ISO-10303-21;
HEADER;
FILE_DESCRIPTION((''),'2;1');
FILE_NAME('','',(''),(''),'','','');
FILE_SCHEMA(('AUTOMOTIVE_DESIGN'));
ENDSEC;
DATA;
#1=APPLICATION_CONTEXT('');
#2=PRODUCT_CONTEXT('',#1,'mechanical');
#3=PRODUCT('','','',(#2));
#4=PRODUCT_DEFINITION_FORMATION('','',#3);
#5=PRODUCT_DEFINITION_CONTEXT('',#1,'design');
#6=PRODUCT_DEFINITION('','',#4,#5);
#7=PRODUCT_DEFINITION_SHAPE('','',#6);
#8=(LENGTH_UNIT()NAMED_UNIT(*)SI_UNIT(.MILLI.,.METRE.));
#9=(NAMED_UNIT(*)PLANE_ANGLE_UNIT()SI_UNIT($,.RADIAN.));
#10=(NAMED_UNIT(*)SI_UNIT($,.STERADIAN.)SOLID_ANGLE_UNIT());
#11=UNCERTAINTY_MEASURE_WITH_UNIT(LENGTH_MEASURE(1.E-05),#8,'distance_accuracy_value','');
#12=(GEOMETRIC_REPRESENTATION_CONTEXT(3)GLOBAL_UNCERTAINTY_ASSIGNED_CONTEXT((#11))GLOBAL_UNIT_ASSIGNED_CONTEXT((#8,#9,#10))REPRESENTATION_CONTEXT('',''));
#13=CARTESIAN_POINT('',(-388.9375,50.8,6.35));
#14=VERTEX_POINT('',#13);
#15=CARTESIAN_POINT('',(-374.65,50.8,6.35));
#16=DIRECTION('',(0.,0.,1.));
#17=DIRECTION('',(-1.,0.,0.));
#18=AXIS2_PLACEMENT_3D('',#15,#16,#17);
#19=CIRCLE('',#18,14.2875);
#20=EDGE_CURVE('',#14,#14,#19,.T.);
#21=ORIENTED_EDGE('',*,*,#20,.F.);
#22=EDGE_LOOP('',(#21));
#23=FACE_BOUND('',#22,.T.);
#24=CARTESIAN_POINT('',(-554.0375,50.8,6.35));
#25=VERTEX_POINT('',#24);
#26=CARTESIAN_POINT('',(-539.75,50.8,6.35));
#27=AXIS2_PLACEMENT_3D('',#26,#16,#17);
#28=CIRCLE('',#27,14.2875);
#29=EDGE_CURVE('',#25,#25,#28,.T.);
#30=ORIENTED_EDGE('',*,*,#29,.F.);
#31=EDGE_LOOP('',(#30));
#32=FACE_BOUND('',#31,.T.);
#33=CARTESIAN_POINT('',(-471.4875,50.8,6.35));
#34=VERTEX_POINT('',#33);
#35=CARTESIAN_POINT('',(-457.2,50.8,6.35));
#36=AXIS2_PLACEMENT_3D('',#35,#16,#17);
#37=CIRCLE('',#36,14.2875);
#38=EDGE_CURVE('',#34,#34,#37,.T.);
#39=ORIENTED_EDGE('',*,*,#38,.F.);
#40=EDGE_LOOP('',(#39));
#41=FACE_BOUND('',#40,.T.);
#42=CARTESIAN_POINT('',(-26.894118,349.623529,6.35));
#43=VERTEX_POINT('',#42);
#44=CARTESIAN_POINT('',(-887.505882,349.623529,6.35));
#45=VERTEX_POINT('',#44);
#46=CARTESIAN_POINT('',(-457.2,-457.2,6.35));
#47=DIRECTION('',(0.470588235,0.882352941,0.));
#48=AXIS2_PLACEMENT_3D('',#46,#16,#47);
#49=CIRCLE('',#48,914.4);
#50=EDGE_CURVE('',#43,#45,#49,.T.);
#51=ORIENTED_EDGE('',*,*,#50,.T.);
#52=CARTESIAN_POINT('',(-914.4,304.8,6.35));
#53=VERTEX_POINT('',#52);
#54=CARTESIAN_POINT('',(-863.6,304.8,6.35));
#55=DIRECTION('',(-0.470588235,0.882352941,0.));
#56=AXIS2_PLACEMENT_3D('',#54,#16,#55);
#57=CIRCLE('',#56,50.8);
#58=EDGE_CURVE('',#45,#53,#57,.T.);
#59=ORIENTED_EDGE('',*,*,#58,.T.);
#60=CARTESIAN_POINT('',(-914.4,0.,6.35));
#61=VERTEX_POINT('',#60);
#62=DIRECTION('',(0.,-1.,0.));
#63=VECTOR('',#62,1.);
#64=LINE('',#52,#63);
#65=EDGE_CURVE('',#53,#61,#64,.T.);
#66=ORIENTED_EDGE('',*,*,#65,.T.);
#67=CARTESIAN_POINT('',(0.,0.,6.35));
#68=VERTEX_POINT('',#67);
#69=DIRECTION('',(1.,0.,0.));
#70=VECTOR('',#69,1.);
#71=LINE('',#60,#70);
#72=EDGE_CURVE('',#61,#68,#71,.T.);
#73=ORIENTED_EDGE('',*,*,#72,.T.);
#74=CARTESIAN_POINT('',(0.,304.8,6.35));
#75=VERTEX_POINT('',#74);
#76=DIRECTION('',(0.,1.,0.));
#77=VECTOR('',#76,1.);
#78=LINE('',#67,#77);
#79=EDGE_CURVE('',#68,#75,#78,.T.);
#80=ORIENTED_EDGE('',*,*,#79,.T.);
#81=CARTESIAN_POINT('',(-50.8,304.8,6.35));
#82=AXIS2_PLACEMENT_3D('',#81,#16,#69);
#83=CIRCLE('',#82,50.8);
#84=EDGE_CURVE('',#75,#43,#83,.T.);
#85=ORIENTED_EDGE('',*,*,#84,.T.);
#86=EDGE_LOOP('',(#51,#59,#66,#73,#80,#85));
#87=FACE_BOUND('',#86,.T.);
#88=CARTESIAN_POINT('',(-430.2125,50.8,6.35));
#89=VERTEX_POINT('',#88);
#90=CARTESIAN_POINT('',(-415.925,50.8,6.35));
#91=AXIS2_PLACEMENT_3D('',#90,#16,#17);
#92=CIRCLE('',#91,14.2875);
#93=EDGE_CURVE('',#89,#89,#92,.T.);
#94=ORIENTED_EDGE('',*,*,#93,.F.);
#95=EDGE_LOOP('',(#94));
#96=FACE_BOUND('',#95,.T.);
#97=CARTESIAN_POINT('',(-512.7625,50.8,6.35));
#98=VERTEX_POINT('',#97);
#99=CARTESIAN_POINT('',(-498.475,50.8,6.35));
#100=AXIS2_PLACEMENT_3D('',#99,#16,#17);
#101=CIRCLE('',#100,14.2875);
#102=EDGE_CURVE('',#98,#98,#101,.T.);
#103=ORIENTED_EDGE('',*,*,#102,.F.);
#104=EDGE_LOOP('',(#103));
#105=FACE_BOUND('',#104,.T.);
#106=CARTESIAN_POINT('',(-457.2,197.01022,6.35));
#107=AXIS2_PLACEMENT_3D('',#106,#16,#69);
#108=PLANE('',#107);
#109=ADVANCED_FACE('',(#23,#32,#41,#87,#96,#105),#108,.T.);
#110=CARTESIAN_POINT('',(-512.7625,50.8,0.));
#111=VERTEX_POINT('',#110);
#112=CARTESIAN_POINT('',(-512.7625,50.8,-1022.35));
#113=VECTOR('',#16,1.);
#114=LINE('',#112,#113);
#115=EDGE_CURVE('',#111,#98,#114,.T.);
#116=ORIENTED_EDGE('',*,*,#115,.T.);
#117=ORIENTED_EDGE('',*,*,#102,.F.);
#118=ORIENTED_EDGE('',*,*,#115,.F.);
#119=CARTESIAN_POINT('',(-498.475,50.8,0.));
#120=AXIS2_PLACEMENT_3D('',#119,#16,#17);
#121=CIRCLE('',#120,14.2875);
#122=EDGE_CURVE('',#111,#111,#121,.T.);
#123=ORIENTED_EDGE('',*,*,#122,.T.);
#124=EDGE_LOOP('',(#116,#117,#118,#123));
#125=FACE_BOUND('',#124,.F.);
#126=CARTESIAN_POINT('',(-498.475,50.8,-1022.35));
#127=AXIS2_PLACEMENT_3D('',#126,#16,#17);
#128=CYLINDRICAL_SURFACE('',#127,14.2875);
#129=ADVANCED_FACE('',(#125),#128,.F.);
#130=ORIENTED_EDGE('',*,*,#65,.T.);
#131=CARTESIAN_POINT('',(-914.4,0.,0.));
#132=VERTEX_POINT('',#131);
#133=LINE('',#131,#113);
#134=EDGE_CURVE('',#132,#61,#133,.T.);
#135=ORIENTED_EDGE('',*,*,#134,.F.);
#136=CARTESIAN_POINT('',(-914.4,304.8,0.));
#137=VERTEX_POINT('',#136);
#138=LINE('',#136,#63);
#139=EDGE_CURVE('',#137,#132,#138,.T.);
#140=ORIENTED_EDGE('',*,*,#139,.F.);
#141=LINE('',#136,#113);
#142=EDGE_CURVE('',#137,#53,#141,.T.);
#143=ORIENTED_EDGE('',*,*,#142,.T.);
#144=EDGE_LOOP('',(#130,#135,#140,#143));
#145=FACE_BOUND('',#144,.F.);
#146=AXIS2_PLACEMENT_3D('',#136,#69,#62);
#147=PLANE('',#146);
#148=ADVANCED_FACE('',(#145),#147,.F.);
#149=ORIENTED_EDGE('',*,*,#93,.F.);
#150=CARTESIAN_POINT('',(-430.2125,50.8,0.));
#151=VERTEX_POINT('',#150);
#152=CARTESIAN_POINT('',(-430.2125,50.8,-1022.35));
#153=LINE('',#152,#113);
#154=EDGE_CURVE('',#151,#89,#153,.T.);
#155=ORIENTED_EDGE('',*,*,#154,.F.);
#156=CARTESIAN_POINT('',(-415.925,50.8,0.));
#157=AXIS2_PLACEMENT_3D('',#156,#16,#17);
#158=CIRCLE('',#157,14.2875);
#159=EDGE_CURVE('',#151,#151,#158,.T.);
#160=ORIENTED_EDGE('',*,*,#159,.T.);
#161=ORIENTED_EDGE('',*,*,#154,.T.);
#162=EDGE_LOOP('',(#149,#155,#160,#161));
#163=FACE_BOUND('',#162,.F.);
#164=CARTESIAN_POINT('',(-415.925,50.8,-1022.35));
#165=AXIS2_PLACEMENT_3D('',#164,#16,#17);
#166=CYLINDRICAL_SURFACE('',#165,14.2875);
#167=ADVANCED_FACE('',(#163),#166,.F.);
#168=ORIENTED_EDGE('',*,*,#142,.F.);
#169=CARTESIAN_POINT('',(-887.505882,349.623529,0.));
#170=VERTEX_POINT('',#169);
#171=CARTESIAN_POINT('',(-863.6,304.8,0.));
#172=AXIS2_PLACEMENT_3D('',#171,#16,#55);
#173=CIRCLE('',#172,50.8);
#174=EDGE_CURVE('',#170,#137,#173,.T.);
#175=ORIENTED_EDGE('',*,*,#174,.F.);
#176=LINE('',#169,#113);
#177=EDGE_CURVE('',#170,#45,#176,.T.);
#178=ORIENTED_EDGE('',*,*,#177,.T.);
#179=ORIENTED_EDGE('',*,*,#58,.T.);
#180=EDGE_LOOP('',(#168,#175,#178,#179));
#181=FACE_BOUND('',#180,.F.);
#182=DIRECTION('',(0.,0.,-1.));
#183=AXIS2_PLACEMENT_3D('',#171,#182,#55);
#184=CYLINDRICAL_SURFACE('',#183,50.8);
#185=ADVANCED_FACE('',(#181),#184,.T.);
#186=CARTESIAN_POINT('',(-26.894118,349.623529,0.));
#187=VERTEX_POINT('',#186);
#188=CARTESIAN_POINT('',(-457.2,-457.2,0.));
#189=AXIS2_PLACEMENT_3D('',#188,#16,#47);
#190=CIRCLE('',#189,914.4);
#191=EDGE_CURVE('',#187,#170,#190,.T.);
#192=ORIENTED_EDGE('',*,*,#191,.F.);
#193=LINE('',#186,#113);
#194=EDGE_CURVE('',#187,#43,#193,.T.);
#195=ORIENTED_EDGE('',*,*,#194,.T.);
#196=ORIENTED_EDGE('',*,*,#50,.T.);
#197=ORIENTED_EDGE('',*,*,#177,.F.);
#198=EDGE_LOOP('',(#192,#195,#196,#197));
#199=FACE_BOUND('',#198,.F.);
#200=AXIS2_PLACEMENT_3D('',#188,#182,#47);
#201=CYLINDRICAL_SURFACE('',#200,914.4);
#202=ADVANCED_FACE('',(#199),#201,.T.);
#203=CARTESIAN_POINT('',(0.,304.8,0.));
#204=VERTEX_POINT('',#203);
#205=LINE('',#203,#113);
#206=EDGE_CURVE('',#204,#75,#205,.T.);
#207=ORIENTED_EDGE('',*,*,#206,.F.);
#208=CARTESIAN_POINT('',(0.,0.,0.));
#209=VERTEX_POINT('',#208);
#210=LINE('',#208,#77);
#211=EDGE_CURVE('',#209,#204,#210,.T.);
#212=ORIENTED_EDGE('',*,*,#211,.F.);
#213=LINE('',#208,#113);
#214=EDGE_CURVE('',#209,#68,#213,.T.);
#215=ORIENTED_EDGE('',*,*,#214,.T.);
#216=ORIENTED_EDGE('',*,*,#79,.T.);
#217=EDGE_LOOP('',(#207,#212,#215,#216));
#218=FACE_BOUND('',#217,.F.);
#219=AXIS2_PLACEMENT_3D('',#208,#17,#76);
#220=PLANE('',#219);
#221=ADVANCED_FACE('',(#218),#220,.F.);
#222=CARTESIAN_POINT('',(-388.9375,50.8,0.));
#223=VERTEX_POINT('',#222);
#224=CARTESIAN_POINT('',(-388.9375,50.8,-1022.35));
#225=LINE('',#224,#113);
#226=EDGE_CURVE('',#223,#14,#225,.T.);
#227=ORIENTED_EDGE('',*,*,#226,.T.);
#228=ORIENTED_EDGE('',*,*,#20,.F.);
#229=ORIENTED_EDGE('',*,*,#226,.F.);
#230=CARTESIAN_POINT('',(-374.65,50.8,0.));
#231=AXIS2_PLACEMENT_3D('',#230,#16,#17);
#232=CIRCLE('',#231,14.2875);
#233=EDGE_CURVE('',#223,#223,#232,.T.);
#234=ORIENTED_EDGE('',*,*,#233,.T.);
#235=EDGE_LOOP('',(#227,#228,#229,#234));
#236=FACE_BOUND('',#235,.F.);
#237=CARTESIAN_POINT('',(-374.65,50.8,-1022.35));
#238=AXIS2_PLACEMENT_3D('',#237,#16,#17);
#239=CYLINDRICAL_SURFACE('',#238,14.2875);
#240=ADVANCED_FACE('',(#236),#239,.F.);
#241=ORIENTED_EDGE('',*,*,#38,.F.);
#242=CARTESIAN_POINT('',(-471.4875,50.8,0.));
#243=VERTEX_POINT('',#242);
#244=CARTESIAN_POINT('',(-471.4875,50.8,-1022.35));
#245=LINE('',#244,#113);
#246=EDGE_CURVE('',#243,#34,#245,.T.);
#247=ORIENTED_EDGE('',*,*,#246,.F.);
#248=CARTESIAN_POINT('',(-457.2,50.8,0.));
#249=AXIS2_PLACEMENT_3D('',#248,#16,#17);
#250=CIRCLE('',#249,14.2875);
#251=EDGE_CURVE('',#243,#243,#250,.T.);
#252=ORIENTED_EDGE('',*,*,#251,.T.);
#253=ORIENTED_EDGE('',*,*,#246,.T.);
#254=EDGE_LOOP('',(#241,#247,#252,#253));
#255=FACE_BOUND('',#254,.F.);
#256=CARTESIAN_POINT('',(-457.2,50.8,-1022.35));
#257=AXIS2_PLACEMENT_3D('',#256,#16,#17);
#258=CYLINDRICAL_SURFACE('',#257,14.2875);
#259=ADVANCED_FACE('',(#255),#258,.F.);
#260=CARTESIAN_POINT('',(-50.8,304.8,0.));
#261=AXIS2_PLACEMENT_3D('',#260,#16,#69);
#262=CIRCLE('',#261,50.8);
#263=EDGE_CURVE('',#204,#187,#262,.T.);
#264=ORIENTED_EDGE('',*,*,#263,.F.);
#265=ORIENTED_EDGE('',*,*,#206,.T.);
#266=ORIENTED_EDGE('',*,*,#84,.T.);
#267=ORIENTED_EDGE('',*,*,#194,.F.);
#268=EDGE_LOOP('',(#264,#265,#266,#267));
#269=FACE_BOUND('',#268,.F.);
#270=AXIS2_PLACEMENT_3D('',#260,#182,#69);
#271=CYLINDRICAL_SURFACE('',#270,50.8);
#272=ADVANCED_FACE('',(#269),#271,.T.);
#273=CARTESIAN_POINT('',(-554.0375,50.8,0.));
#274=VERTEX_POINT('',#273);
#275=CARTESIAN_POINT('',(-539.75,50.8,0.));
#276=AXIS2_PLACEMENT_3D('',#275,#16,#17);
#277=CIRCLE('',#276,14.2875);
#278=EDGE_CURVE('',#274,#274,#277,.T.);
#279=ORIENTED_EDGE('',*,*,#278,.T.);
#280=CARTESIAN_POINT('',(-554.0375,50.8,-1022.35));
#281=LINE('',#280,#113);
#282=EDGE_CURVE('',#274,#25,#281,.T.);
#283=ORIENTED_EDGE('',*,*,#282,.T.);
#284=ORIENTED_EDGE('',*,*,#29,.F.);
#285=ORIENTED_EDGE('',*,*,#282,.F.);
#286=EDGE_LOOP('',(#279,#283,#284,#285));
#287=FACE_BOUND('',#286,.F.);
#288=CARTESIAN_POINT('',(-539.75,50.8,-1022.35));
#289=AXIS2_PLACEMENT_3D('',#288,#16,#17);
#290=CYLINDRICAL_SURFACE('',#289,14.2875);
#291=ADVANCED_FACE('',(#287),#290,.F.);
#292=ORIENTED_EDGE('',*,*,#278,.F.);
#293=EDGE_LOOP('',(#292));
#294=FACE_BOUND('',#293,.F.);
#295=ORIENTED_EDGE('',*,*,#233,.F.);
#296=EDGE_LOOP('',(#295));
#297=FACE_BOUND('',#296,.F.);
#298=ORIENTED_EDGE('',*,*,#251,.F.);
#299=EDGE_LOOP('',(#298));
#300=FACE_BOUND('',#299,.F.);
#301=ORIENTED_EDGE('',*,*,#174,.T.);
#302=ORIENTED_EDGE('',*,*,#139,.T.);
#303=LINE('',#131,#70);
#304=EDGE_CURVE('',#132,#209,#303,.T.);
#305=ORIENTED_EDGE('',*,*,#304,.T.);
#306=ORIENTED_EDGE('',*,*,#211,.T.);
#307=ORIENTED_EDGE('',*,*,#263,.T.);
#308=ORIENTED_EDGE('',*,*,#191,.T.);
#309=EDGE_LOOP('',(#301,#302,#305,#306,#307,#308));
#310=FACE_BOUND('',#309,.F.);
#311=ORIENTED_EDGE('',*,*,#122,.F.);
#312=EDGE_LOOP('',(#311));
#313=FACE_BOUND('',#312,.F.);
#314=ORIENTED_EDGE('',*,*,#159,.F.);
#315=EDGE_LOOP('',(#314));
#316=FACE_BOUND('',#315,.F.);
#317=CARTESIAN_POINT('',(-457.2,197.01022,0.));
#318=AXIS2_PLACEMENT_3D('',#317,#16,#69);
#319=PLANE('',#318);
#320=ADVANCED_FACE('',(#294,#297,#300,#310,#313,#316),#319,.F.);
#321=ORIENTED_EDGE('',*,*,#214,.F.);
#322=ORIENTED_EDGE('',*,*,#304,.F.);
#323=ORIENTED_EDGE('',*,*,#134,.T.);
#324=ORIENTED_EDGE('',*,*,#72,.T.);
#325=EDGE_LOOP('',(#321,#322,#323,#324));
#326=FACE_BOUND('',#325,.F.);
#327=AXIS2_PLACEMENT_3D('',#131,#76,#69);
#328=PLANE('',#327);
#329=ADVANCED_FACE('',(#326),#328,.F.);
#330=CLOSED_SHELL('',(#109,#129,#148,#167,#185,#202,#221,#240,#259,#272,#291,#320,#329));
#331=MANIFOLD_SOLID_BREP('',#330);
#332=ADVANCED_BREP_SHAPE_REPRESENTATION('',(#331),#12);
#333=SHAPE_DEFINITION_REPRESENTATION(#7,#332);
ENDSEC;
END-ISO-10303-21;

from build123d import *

# Parameters (mm, degrees)
F1_DEPTH = 6.35
F3_D     = 28.575


with BuildPart() as f1:
    # F0 (on Top) → F1 (new body)
    with BuildSketch(Plane.XY):
        with BuildLine():
            Line((-914.4, 0), (0, 0))
            Line((0, 0), (0, 304.8))
            ThreePointArc((0, 304.8), (-7.2393593738, 330.9363843757), (-26.8941176471, 349.6235294118))
            ThreePointArc((-26.8941176471, 349.6235294118), (-457.2, 457.2), (-887.5058823529, 349.6235294118))
            ThreePointArc((-887.5058823529, 349.6235294118), (-907.1606406262, 330.9363843757), (-914.4, 304.8))
            Line((-914.4, 304.8), (-914.4, 0))
        make_face()
    extrude(amount=F1_DEPTH)

    # F3 (through all)
    with Locations(Plane(origin=(0, 0, 0), x_dir=(1, 0, 0), z_dir=(0, 0, -1))):
        with Locations((-415.925, -50.8), (-374.65, -50.8), (-457.2, -50.8), (-498.475, -50.8), (-539.75, -50.8)):
            Hole(F3_D / 2)


solid = f1.part
